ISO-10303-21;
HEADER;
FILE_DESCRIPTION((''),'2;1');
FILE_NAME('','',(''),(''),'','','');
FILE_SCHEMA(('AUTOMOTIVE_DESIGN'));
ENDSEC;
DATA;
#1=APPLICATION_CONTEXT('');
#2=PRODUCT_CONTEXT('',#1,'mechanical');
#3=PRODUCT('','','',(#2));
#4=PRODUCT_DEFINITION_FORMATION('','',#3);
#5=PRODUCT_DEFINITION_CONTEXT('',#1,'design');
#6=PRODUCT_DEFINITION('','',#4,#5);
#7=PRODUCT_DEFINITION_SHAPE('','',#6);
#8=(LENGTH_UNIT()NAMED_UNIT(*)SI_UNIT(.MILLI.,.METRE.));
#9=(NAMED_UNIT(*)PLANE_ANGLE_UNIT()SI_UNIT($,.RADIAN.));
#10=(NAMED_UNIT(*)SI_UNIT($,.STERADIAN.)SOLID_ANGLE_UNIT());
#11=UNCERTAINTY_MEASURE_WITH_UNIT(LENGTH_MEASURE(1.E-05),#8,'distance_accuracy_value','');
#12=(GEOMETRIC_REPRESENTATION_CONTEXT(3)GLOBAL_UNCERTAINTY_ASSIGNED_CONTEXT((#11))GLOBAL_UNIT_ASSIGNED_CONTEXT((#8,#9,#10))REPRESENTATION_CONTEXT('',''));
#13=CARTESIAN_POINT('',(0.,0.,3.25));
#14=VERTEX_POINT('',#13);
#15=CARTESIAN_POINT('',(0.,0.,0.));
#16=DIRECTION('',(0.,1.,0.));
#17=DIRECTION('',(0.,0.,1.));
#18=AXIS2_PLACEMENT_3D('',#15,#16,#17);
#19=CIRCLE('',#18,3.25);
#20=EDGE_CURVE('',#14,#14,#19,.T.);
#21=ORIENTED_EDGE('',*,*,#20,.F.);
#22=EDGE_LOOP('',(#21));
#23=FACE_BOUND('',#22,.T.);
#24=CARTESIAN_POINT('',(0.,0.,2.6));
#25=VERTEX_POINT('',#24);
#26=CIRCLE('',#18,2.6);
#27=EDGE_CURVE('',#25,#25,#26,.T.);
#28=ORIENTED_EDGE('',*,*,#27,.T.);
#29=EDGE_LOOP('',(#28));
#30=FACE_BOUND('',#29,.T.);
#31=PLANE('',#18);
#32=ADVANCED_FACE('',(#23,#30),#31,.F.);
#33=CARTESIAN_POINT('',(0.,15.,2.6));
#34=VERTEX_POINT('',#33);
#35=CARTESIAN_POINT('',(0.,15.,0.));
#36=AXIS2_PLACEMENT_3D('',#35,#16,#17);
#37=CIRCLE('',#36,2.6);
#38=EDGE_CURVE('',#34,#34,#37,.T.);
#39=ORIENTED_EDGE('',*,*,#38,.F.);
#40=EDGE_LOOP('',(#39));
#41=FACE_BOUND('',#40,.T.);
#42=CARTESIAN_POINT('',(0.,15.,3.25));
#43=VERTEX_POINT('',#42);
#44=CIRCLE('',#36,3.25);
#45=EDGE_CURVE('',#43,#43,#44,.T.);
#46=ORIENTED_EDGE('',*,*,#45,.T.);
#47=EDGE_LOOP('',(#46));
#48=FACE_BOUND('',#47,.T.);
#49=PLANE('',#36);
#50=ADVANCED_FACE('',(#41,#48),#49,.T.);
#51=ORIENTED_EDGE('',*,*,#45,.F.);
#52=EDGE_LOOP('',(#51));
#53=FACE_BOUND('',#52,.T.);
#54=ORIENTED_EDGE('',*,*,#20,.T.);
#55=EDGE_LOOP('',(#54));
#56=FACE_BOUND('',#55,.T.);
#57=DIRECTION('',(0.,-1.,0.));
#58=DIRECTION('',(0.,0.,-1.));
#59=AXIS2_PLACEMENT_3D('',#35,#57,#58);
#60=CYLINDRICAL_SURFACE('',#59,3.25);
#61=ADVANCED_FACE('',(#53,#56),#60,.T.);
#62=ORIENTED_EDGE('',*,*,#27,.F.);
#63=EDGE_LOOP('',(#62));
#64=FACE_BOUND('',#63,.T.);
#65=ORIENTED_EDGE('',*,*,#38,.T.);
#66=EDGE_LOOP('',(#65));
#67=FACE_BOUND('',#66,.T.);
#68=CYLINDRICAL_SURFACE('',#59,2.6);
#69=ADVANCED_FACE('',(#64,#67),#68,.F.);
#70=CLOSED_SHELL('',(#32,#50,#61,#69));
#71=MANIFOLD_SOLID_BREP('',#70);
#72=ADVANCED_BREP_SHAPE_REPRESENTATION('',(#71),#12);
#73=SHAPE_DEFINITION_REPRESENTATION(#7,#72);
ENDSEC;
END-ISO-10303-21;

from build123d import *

# Parameters (mm, degrees)
SKETCH2_R           = 3.25
SKETCH2_R_2         = 2.6
BOSS_EXTRUDE1_DEPTH = 15


with BuildPart() as part:
    # Sketch2 → Boss-Extrude1 (new body)
    with BuildSketch(Plane(origin=(0, 0, 0), x_dir=(1, 0, 0), z_dir=(0, 1, 0))):
        Circle(SKETCH2_R)
        Circle(SKETCH2_R_2, mode=Mode.SUBTRACT)
    extrude(amount=BOSS_EXTRUDE1_DEPTH)


solid = part.part
